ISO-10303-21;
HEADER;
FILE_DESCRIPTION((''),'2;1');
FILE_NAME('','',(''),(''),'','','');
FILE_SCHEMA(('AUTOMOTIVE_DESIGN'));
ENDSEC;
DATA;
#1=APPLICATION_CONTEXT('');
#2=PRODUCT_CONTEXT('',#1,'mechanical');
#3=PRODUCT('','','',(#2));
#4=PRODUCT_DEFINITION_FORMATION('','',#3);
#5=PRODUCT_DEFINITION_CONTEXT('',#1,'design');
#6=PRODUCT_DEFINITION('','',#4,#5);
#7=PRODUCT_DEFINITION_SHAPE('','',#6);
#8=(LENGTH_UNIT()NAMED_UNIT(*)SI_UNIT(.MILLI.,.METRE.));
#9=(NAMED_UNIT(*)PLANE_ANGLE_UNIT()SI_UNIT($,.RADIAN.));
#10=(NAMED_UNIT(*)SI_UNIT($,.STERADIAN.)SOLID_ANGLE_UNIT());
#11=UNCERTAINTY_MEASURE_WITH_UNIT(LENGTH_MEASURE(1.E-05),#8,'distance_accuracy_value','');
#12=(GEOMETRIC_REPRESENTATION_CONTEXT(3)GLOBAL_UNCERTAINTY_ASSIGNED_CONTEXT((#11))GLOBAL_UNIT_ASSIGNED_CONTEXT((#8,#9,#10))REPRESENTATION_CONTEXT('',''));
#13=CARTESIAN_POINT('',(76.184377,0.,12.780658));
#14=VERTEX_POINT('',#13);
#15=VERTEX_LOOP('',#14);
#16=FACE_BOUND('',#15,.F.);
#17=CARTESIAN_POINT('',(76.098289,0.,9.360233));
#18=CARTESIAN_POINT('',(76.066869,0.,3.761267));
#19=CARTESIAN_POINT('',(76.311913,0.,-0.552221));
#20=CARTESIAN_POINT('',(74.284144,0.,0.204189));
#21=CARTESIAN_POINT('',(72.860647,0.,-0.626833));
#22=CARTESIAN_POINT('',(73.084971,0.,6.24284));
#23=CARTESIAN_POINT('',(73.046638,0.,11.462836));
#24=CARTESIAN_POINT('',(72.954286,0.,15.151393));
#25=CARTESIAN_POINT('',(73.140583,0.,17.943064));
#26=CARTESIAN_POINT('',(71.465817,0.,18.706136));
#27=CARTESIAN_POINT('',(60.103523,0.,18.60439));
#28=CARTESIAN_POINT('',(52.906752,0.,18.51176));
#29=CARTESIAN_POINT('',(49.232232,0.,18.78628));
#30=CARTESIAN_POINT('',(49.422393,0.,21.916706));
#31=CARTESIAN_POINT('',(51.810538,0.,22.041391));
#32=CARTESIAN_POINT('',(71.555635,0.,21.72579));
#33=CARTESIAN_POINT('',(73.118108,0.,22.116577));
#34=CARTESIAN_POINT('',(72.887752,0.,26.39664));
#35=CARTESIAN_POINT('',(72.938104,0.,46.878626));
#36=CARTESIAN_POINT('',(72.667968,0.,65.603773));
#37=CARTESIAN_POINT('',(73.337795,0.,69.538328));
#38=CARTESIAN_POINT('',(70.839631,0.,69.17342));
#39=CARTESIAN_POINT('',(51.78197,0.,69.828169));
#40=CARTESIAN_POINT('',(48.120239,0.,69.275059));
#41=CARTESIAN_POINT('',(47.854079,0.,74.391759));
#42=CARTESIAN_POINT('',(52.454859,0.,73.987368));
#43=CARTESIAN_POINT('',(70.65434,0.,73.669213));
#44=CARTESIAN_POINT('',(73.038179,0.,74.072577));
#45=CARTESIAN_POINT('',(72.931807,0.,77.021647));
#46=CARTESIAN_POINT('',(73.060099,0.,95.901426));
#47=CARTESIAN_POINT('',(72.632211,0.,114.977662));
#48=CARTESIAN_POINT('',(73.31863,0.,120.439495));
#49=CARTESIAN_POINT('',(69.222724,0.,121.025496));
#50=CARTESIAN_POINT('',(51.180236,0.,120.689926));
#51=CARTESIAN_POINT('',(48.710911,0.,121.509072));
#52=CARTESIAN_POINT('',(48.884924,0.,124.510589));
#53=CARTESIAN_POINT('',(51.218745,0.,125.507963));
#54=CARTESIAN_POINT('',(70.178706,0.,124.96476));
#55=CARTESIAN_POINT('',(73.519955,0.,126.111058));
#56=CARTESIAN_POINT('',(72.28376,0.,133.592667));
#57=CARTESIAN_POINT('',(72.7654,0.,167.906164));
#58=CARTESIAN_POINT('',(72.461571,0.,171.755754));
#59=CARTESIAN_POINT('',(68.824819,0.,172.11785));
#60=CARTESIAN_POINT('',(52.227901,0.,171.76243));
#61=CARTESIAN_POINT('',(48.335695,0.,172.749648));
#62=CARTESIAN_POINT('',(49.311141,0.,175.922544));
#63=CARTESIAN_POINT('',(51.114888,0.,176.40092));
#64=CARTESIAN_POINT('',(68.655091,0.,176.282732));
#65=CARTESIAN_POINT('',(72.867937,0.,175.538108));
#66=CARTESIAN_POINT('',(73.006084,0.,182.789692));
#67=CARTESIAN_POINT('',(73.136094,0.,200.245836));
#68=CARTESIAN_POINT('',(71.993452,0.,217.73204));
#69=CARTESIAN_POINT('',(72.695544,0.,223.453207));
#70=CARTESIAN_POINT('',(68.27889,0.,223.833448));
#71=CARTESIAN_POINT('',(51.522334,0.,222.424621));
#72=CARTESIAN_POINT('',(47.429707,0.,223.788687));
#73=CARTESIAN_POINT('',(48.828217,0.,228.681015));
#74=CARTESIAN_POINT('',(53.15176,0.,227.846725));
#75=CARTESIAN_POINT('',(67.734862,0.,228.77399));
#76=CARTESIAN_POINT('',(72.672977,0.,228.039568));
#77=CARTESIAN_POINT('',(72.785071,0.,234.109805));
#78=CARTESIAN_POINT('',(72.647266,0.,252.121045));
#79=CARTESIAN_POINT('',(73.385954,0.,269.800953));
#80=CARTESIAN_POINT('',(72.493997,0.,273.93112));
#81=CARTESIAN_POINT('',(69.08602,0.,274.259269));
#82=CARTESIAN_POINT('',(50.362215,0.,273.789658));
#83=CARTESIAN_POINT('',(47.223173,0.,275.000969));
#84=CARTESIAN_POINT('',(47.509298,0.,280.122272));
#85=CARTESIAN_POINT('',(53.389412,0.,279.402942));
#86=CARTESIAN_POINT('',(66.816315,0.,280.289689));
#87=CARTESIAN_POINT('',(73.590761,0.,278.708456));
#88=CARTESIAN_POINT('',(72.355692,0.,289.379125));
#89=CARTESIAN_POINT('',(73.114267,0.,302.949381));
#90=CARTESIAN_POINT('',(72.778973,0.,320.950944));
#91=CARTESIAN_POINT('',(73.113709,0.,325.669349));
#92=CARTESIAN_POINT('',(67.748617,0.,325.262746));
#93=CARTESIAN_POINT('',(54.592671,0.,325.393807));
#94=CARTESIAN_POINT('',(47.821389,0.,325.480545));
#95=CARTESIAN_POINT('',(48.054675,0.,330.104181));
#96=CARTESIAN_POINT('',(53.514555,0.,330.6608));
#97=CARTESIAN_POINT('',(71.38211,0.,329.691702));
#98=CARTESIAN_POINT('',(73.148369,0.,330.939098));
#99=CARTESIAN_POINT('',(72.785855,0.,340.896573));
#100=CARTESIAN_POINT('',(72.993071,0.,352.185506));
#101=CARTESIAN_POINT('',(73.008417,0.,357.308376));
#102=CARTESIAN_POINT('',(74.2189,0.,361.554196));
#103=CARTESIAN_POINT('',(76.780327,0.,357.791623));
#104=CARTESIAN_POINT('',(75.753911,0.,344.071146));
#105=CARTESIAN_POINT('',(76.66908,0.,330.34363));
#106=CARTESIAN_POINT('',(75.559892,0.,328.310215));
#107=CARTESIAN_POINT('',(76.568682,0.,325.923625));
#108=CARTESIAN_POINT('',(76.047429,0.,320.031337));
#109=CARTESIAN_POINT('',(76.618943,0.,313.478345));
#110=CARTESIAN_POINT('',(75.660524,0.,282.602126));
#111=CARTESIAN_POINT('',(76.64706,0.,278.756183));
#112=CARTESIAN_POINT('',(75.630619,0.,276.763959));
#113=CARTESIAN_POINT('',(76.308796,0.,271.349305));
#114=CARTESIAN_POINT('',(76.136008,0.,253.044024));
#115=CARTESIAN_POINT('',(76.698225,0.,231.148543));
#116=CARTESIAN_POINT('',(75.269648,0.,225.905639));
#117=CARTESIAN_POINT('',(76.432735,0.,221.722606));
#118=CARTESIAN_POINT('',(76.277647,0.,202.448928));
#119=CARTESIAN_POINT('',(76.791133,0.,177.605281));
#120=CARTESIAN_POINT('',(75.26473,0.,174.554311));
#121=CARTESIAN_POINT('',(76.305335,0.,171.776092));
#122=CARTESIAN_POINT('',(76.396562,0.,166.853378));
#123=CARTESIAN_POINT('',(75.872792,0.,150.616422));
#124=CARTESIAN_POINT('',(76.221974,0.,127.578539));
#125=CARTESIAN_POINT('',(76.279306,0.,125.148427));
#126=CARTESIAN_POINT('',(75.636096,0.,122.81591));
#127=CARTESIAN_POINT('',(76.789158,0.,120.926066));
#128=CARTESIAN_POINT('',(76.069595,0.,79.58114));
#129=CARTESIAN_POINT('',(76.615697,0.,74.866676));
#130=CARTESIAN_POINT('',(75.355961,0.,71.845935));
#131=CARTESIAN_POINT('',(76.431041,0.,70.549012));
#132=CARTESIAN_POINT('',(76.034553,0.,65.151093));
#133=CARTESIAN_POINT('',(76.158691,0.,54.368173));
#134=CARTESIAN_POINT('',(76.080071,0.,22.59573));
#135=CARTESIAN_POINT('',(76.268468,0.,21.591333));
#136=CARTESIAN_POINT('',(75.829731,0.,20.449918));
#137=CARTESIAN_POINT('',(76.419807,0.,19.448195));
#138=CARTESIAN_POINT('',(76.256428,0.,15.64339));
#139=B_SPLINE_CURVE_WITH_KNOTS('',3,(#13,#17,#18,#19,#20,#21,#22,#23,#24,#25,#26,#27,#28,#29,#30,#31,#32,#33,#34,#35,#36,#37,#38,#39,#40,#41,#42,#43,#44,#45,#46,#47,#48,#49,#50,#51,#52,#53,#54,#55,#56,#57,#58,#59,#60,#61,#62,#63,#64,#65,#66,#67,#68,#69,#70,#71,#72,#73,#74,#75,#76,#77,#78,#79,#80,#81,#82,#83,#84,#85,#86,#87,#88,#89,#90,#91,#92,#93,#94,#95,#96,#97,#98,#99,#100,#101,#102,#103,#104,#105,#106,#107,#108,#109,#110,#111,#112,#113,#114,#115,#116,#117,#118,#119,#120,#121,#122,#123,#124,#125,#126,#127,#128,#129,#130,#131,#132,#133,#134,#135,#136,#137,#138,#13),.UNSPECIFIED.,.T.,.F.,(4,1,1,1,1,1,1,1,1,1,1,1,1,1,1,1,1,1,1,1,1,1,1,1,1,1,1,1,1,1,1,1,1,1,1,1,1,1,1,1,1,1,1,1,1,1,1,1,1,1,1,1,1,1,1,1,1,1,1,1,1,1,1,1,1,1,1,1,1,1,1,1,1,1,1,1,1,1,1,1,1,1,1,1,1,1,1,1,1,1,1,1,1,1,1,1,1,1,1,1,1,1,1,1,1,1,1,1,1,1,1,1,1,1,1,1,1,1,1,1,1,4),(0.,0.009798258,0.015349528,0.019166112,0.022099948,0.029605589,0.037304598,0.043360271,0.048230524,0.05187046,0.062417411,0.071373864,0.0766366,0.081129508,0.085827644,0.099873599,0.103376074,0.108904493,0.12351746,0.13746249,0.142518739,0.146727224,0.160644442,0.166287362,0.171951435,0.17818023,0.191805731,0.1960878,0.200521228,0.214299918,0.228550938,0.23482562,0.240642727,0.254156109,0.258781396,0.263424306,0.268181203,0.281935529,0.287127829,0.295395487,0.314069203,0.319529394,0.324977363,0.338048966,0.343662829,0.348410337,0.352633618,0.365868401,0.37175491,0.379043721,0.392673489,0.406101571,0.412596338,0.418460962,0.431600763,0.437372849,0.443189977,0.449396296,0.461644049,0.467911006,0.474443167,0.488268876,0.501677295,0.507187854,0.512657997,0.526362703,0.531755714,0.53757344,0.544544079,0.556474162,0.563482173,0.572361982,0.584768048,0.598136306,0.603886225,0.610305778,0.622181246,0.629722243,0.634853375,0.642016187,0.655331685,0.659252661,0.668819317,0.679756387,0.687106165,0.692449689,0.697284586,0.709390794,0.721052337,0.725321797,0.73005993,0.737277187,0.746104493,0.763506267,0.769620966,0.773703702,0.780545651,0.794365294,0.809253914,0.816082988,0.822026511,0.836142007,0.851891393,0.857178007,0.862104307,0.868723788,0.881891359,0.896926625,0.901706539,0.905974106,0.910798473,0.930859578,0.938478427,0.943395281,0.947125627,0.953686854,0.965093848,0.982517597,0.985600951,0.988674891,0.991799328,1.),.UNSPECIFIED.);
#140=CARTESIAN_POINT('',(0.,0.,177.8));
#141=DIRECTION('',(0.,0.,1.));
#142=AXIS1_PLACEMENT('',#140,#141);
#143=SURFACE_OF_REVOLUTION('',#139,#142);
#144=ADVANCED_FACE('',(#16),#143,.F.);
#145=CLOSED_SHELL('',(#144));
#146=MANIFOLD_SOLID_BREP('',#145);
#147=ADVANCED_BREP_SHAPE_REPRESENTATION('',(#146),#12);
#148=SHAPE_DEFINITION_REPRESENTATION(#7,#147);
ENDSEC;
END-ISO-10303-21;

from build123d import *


with BuildPart() as f2:
    # F1 (on Front) → F2 (revolve)
    with BuildSketch(Plane.XZ):
        with BuildLine():
            add(Edge.make_bspline(
                [(76.1843770742, 12.7806579694), (76.0982894867, 9.3602328141), (76.0668693747, 3.7612665492), (76.3119132482, -0.5522210308), (74.2841444022, 0.2041889304), (72.8606468762, -0.6268327871), (73.0849705339, 6.2428399421), (73.0466382531, 11.4628360449), (72.9542864981, 15.1513925136), (73.1405830744, 17.9430641694), (71.4658170654, 18.7061360269), (60.1035227708, 18.6043899502), (52.9067517342, 18.511760073), (49.2322315698, 18.7862797312), (49.4223932805, 21.9167059912), (51.8105380599, 22.0413909368), (71.5556346662, 21.7257896991), (73.1181084055, 22.1165774833), (72.8877515238, 26.3966400315), (72.9381042275, 46.8786262668), (72.6679676376, 65.6037731025), (73.3377949285, 69.538327623), (70.8396306323, 69.173419901), (51.7819704823, 69.8281688532), (48.1202388163, 69.2750589261), (47.8540791943, 74.3917594664), (52.4548587831, 73.987368137), (70.6543402027, 73.6692126598), (73.0381788271, 74.072577284), (72.9318069893, 77.0216473305), (73.0600993465, 95.9014259354), (72.6322111929, 114.9776619127), (73.3186301377, 120.439495426), (69.2227236319, 121.0254955135), (51.1802356515, 120.6899260337), (48.7109112699, 121.5090721309), (48.8849236142, 124.5105885063), (51.2187446165, 125.5079633194), (70.1787056843, 124.9647597727), (73.5199551135, 126.11105834), (72.2837604526, 133.5926671834), (72.7654004427, 167.9061638488), (72.4615713069, 171.7557543554), (68.8248188378, 172.117849654), (52.227900922, 171.7624302989), (48.3356950733, 172.749647601), (49.3111410548, 175.9225444012), (51.1148883018, 176.4009197127), (68.655091142, 176.2827319289), (72.8679368371, 175.5381081312), (73.0060837371, 182.7896920334), (73.1360941799, 200.2458363954), (71.9934516324, 217.7320397996), (72.6955435395, 223.4532071183), (68.2788896733, 223.8334483695), (51.5223343069, 222.4246209438), (47.4297068297, 223.7886870341), (48.8282165528, 228.6810154445), (53.151760279, 227.8467247067), (67.7348624497, 228.7739903313), (72.6729768213, 228.0395677121), (72.7850708863, 234.1098053521), (72.6472662004, 252.1210454018), (73.3859542629, 269.8009532909), (72.4939967027, 273.931120185), (69.0860202534, 274.259269065), (50.362215207, 273.7896579497), (47.223173228, 275.0009691347), (47.5092976767, 280.1222723808), (53.3894121821, 279.4029418118), (66.8163146618, 280.2896890226), (73.5907613236, 278.7084558242), (72.3556922773, 289.3791254062), (73.1142672004, 302.9493806375), (72.7789727888, 320.9509437684), (73.1137087086, 325.6693488794), (67.7486170808, 325.2627455134), (54.5926712397, 325.3938068277), (47.8213890874, 325.4805452278), (48.0546751976, 330.1041806174), (53.5145546918, 330.6608001205), (71.3821103123, 329.6917015997), (73.1483690971, 330.9390983232), (72.7858552296, 340.8965732221), (72.9930712622, 352.185506025), (73.0084172897, 357.3083756673), (74.2188996646, 361.5541959291), (76.7803270073, 357.7916225883), (75.7539110059, 344.0711463557), (76.6690798461, 330.3436299055), (75.559891978, 328.3102153268), (76.5686818041, 325.9236250831), (76.0474291239, 320.0313371342), (76.6189425607, 313.4783447932), (75.6605242436, 282.6021264882), (76.6470598331, 278.7561826491), (75.6306187905, 276.7639593613), (76.3087961052, 271.3493049452), (76.1360075388, 253.0440238928), (76.698225145, 231.1485433814), (75.2696482173, 225.9056385066), (76.4327347234, 221.7226061505), (76.2776465271, 202.4489278141), (76.7911325067, 177.6052805612), (75.2647301811, 174.5543109984), (76.3053352457, 171.7760917966), (76.3965615407, 166.8533777248), (75.8727922275, 150.6164218446), (76.2219737713, 127.5785389669), (76.2793059619, 125.1484271111), (75.6360961652, 122.815909715), (76.7891581223, 120.9260664168), (76.0695949452, 79.5811397463), (76.6156974895, 74.8666755358), (75.3559614291, 71.8459348525), (76.431040826, 70.5490121633), (76.0345530957, 65.1510926619), (76.1586910888, 54.3681733929), (76.0800706776, 22.5957301047), (76.2684675796, 21.5913332973), (75.8297305482, 20.4499182552), (76.4198071869, 19.4481945559), (76.2564282534, 15.6433896647), (76.1843770742, 12.7806579694)],
                knots=[0, 0, 0, 0, 0.0097982577, 0.0153495279, 0.0191661118, 0.0220999477, 0.029605589, 0.0373045979, 0.0433602709, 0.0482305236, 0.0518704595, 0.0624174107, 0.0713738637, 0.0766365998, 0.081129508, 0.0858276442, 0.0998735992, 0.1033760745, 0.1089044929, 0.1235174599, 0.1374624898, 0.1425187387, 0.1467272236, 0.1606444424, 0.1662873619, 0.1719514353, 0.1781802304, 0.1918057314, 0.1960877999, 0.2005212277, 0.214299918, 0.2285509384, 0.2348256198, 0.2406427269, 0.2541561088, 0.258781396, 0.2634243058, 0.2681812031, 0.2819355291, 0.2871278285, 0.2953954873, 0.314069203, 0.3195293938, 0.324977363, 0.3380489659, 0.3436628287, 0.3484103374, 0.352633618, 0.365868401, 0.3717549098, 0.379043721, 0.3926734888, 0.4061015711, 0.412596338, 0.4184609618, 0.4316007629, 0.4373728489, 0.4431899769, 0.4493962961, 0.4616440493, 0.4679110062, 0.4744431674, 0.4882688762, 0.5016772949, 0.5071878542, 0.5126579975, 0.5263627028, 0.5317557143, 0.5375734401, 0.5445440786, 0.5564741623, 0.563482173, 0.5723619817, 0.5847680483, 0.5981363061, 0.6038862251, 0.6103057775, 0.6221812463, 0.6297222426, 0.634853375, 0.6420161872, 0.6553316852, 0.6592526614, 0.6688193168, 0.6797563869, 0.6871061652, 0.6924496886, 0.6972845859, 0.7093907945, 0.7210523365, 0.7253217969, 0.7300599301, 0.7372771868, 0.7461044929, 0.7635062669, 0.7696209655, 0.773703702, 0.7805456509, 0.7943652942, 0.8092539143, 0.8160829884, 0.8220265109, 0.836142007, 0.8518913935, 0.8571780066, 0.862104307, 0.8687237875, 0.8818913588, 0.8969266248, 0.9017065394, 0.9059741062, 0.9107984727, 0.930859578, 0.9384784274, 0.9433952815, 0.9471256271, 0.9536868537, 0.9650938481, 0.9825175971, 0.9856009509, 0.9886748915, 0.9917993285, 1, 1, 1, 1], degree=3))
        make_face()
    revolve(axis=Axis((0, 0, 177.8), (0, 0, 1)))


solid = f2.part
